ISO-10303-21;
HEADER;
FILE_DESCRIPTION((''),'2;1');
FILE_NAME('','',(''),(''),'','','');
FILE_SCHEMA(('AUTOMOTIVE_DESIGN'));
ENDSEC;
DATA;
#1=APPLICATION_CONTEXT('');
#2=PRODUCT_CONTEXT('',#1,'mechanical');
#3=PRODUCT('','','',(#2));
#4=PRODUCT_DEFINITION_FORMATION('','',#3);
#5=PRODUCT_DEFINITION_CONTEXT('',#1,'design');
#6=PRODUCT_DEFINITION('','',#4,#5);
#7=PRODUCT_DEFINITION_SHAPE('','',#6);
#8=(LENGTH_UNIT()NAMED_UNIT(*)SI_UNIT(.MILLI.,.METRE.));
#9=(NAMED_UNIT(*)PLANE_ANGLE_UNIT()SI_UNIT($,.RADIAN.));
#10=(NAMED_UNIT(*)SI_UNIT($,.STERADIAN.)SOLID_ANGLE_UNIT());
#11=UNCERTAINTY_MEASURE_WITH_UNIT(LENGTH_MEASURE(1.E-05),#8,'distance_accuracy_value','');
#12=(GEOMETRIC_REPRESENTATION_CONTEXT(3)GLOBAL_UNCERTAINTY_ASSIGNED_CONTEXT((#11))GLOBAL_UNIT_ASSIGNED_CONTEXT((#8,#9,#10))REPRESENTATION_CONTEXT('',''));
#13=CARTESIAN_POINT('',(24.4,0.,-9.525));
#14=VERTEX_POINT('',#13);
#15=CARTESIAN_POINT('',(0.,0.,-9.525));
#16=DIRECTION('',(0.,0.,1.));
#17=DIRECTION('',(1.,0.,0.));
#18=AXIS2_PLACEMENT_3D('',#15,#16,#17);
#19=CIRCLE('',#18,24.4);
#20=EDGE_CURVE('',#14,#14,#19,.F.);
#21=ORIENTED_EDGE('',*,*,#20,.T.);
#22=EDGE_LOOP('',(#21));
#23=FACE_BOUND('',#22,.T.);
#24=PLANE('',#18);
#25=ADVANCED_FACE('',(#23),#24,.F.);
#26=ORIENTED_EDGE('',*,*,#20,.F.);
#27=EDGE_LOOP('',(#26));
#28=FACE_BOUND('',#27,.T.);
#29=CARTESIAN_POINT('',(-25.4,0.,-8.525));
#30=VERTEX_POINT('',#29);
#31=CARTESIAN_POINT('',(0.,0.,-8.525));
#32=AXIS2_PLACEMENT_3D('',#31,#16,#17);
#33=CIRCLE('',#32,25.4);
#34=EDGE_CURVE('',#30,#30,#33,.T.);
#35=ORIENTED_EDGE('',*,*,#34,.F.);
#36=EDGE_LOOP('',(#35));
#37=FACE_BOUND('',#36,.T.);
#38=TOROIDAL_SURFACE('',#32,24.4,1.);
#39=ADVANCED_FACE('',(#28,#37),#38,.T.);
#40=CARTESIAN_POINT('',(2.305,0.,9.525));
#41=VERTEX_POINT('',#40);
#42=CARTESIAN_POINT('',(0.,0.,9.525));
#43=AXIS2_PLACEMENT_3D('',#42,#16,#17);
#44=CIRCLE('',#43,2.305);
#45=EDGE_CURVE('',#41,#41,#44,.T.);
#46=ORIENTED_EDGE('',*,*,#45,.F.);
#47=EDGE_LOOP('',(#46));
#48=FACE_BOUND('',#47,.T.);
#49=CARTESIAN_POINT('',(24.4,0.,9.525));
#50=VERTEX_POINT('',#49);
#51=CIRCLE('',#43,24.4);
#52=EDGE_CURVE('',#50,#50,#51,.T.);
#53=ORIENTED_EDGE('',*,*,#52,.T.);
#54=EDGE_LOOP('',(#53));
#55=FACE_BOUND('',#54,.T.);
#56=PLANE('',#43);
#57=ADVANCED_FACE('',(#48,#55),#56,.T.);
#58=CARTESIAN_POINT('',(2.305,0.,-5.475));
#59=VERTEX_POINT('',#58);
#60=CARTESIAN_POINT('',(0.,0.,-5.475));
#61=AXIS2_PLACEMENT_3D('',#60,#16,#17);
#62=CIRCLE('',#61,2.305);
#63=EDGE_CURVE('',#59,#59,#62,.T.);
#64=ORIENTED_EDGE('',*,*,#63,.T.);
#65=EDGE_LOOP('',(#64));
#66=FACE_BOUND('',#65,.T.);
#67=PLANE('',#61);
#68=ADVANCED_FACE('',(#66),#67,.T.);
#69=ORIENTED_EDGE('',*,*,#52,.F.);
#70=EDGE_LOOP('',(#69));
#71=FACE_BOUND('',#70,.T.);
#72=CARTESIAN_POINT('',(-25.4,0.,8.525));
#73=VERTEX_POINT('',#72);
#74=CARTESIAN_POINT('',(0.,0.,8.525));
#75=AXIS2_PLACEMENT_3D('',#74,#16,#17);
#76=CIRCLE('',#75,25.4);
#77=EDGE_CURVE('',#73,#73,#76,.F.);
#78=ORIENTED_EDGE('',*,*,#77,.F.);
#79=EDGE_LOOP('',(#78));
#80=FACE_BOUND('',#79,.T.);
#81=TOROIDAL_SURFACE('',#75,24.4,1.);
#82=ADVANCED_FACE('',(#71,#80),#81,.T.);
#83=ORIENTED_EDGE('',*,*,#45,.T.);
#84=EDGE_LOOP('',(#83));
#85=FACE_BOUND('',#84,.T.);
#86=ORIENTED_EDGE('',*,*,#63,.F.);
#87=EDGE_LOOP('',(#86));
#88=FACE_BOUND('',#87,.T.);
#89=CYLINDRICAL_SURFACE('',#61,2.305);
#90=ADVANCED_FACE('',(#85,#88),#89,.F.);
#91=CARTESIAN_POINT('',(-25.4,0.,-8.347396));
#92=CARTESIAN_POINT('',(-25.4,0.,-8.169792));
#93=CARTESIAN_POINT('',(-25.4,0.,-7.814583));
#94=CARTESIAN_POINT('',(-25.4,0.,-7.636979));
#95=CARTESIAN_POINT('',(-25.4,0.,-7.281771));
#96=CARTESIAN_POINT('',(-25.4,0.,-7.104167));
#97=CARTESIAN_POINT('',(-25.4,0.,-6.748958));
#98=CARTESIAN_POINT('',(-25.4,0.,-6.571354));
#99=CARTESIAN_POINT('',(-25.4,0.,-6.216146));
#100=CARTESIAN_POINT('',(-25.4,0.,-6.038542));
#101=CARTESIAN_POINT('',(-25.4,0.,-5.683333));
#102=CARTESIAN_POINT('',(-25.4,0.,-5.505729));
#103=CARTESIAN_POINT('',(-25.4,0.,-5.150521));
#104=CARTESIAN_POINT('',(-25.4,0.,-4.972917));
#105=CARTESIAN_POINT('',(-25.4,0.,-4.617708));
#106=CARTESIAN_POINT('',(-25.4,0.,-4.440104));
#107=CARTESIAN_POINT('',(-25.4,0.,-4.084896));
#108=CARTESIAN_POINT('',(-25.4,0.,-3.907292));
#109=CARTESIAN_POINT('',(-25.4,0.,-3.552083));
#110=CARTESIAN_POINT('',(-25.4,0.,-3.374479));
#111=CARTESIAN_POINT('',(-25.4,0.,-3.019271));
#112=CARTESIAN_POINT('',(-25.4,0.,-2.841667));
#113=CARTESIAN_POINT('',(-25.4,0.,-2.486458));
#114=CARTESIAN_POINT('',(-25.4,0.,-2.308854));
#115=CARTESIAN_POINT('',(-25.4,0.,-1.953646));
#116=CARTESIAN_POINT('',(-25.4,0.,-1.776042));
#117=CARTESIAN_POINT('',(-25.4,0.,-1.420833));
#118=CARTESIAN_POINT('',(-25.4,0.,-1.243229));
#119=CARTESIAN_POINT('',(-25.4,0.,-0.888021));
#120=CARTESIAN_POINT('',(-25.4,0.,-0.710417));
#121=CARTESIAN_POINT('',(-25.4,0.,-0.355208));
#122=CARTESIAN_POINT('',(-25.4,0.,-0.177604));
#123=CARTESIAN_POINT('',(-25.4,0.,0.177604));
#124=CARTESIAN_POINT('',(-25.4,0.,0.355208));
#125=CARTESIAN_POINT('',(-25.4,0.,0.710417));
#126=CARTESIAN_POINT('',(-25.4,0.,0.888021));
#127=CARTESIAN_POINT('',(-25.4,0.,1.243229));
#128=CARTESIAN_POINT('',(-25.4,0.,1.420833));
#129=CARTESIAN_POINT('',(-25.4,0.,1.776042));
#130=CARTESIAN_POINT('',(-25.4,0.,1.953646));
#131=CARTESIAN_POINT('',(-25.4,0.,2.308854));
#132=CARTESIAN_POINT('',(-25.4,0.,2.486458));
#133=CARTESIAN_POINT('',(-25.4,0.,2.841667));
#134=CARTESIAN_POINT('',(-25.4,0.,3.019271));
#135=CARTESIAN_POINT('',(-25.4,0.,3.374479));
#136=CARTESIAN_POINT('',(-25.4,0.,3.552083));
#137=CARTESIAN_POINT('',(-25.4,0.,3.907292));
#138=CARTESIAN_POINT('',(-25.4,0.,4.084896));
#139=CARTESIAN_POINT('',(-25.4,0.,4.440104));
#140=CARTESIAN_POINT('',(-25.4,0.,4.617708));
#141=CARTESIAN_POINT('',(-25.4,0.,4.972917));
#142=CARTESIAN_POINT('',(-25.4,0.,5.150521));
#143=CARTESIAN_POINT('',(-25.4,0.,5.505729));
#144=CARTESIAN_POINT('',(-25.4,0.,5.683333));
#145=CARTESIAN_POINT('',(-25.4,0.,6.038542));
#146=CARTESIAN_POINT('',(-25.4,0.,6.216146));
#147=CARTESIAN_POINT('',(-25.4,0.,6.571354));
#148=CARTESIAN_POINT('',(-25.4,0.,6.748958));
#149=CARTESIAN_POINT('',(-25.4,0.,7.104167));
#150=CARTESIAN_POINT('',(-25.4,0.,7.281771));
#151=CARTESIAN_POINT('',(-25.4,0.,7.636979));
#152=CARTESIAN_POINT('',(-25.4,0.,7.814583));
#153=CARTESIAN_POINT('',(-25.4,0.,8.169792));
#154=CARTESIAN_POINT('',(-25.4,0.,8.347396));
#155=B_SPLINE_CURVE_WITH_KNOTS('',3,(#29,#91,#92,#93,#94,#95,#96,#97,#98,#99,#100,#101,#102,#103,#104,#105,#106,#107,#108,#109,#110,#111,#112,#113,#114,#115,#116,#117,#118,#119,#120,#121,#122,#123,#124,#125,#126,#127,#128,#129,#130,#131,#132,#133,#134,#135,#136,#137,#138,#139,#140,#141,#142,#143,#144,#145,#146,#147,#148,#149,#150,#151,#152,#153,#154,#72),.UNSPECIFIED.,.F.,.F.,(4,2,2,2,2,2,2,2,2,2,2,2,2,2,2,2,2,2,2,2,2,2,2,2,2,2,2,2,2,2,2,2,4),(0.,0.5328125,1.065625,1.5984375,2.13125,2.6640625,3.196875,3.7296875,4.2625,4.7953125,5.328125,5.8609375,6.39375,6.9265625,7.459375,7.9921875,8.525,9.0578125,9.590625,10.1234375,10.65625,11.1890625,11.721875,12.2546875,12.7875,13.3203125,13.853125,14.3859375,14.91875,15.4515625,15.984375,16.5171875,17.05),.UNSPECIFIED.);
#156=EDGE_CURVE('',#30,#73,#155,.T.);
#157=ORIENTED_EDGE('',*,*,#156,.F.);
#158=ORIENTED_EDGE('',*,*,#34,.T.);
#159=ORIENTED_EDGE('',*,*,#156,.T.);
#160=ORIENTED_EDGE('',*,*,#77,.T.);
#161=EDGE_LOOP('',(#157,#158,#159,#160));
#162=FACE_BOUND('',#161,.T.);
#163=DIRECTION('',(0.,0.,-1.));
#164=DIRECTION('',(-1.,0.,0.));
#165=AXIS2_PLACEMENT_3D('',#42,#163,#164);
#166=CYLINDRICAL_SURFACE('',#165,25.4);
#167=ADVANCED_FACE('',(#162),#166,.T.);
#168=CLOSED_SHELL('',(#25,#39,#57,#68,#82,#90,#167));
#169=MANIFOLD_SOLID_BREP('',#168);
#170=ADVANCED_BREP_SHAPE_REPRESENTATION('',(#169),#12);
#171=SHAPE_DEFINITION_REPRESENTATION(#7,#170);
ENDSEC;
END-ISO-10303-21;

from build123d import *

# Parameters (mm, degrees)
BODY_SKETCH_R    = 25.4
WHEEL_BODY_DEPTH = 9.525
FILLET_WHEEL_R   = 1
HOLE_SKETCH_R    = 2.305
HOLE_SHAFT_DEPTH = 15


with BuildPart() as part:
    # body sketch → wheel body (new, symmetric)
    with BuildSketch(Plane.XY):
        with Locations(Location((0, 0, 0), (0, 0, 180))):
            Circle(BODY_SKETCH_R)
    extrude(amount=WHEEL_BODY_DEPTH, both=True)

    # fillet wheel
    fillet_wheel_edges = [part.edges().sort_by_distance(p)[0] for p in [
        (25.4, 0, -9.525),
        (25.4, 0, 9.525),
    ]]
    fillet(fillet_wheel_edges, radius=FILLET_WHEEL_R)

    # hole sketch → hole shaft (cut)
    with BuildSketch(Plane.XY.offset(9.525)):
        Circle(HOLE_SKETCH_R)
    extrude(amount=-HOLE_SHAFT_DEPTH, mode=Mode.SUBTRACT)


solid = part.part
